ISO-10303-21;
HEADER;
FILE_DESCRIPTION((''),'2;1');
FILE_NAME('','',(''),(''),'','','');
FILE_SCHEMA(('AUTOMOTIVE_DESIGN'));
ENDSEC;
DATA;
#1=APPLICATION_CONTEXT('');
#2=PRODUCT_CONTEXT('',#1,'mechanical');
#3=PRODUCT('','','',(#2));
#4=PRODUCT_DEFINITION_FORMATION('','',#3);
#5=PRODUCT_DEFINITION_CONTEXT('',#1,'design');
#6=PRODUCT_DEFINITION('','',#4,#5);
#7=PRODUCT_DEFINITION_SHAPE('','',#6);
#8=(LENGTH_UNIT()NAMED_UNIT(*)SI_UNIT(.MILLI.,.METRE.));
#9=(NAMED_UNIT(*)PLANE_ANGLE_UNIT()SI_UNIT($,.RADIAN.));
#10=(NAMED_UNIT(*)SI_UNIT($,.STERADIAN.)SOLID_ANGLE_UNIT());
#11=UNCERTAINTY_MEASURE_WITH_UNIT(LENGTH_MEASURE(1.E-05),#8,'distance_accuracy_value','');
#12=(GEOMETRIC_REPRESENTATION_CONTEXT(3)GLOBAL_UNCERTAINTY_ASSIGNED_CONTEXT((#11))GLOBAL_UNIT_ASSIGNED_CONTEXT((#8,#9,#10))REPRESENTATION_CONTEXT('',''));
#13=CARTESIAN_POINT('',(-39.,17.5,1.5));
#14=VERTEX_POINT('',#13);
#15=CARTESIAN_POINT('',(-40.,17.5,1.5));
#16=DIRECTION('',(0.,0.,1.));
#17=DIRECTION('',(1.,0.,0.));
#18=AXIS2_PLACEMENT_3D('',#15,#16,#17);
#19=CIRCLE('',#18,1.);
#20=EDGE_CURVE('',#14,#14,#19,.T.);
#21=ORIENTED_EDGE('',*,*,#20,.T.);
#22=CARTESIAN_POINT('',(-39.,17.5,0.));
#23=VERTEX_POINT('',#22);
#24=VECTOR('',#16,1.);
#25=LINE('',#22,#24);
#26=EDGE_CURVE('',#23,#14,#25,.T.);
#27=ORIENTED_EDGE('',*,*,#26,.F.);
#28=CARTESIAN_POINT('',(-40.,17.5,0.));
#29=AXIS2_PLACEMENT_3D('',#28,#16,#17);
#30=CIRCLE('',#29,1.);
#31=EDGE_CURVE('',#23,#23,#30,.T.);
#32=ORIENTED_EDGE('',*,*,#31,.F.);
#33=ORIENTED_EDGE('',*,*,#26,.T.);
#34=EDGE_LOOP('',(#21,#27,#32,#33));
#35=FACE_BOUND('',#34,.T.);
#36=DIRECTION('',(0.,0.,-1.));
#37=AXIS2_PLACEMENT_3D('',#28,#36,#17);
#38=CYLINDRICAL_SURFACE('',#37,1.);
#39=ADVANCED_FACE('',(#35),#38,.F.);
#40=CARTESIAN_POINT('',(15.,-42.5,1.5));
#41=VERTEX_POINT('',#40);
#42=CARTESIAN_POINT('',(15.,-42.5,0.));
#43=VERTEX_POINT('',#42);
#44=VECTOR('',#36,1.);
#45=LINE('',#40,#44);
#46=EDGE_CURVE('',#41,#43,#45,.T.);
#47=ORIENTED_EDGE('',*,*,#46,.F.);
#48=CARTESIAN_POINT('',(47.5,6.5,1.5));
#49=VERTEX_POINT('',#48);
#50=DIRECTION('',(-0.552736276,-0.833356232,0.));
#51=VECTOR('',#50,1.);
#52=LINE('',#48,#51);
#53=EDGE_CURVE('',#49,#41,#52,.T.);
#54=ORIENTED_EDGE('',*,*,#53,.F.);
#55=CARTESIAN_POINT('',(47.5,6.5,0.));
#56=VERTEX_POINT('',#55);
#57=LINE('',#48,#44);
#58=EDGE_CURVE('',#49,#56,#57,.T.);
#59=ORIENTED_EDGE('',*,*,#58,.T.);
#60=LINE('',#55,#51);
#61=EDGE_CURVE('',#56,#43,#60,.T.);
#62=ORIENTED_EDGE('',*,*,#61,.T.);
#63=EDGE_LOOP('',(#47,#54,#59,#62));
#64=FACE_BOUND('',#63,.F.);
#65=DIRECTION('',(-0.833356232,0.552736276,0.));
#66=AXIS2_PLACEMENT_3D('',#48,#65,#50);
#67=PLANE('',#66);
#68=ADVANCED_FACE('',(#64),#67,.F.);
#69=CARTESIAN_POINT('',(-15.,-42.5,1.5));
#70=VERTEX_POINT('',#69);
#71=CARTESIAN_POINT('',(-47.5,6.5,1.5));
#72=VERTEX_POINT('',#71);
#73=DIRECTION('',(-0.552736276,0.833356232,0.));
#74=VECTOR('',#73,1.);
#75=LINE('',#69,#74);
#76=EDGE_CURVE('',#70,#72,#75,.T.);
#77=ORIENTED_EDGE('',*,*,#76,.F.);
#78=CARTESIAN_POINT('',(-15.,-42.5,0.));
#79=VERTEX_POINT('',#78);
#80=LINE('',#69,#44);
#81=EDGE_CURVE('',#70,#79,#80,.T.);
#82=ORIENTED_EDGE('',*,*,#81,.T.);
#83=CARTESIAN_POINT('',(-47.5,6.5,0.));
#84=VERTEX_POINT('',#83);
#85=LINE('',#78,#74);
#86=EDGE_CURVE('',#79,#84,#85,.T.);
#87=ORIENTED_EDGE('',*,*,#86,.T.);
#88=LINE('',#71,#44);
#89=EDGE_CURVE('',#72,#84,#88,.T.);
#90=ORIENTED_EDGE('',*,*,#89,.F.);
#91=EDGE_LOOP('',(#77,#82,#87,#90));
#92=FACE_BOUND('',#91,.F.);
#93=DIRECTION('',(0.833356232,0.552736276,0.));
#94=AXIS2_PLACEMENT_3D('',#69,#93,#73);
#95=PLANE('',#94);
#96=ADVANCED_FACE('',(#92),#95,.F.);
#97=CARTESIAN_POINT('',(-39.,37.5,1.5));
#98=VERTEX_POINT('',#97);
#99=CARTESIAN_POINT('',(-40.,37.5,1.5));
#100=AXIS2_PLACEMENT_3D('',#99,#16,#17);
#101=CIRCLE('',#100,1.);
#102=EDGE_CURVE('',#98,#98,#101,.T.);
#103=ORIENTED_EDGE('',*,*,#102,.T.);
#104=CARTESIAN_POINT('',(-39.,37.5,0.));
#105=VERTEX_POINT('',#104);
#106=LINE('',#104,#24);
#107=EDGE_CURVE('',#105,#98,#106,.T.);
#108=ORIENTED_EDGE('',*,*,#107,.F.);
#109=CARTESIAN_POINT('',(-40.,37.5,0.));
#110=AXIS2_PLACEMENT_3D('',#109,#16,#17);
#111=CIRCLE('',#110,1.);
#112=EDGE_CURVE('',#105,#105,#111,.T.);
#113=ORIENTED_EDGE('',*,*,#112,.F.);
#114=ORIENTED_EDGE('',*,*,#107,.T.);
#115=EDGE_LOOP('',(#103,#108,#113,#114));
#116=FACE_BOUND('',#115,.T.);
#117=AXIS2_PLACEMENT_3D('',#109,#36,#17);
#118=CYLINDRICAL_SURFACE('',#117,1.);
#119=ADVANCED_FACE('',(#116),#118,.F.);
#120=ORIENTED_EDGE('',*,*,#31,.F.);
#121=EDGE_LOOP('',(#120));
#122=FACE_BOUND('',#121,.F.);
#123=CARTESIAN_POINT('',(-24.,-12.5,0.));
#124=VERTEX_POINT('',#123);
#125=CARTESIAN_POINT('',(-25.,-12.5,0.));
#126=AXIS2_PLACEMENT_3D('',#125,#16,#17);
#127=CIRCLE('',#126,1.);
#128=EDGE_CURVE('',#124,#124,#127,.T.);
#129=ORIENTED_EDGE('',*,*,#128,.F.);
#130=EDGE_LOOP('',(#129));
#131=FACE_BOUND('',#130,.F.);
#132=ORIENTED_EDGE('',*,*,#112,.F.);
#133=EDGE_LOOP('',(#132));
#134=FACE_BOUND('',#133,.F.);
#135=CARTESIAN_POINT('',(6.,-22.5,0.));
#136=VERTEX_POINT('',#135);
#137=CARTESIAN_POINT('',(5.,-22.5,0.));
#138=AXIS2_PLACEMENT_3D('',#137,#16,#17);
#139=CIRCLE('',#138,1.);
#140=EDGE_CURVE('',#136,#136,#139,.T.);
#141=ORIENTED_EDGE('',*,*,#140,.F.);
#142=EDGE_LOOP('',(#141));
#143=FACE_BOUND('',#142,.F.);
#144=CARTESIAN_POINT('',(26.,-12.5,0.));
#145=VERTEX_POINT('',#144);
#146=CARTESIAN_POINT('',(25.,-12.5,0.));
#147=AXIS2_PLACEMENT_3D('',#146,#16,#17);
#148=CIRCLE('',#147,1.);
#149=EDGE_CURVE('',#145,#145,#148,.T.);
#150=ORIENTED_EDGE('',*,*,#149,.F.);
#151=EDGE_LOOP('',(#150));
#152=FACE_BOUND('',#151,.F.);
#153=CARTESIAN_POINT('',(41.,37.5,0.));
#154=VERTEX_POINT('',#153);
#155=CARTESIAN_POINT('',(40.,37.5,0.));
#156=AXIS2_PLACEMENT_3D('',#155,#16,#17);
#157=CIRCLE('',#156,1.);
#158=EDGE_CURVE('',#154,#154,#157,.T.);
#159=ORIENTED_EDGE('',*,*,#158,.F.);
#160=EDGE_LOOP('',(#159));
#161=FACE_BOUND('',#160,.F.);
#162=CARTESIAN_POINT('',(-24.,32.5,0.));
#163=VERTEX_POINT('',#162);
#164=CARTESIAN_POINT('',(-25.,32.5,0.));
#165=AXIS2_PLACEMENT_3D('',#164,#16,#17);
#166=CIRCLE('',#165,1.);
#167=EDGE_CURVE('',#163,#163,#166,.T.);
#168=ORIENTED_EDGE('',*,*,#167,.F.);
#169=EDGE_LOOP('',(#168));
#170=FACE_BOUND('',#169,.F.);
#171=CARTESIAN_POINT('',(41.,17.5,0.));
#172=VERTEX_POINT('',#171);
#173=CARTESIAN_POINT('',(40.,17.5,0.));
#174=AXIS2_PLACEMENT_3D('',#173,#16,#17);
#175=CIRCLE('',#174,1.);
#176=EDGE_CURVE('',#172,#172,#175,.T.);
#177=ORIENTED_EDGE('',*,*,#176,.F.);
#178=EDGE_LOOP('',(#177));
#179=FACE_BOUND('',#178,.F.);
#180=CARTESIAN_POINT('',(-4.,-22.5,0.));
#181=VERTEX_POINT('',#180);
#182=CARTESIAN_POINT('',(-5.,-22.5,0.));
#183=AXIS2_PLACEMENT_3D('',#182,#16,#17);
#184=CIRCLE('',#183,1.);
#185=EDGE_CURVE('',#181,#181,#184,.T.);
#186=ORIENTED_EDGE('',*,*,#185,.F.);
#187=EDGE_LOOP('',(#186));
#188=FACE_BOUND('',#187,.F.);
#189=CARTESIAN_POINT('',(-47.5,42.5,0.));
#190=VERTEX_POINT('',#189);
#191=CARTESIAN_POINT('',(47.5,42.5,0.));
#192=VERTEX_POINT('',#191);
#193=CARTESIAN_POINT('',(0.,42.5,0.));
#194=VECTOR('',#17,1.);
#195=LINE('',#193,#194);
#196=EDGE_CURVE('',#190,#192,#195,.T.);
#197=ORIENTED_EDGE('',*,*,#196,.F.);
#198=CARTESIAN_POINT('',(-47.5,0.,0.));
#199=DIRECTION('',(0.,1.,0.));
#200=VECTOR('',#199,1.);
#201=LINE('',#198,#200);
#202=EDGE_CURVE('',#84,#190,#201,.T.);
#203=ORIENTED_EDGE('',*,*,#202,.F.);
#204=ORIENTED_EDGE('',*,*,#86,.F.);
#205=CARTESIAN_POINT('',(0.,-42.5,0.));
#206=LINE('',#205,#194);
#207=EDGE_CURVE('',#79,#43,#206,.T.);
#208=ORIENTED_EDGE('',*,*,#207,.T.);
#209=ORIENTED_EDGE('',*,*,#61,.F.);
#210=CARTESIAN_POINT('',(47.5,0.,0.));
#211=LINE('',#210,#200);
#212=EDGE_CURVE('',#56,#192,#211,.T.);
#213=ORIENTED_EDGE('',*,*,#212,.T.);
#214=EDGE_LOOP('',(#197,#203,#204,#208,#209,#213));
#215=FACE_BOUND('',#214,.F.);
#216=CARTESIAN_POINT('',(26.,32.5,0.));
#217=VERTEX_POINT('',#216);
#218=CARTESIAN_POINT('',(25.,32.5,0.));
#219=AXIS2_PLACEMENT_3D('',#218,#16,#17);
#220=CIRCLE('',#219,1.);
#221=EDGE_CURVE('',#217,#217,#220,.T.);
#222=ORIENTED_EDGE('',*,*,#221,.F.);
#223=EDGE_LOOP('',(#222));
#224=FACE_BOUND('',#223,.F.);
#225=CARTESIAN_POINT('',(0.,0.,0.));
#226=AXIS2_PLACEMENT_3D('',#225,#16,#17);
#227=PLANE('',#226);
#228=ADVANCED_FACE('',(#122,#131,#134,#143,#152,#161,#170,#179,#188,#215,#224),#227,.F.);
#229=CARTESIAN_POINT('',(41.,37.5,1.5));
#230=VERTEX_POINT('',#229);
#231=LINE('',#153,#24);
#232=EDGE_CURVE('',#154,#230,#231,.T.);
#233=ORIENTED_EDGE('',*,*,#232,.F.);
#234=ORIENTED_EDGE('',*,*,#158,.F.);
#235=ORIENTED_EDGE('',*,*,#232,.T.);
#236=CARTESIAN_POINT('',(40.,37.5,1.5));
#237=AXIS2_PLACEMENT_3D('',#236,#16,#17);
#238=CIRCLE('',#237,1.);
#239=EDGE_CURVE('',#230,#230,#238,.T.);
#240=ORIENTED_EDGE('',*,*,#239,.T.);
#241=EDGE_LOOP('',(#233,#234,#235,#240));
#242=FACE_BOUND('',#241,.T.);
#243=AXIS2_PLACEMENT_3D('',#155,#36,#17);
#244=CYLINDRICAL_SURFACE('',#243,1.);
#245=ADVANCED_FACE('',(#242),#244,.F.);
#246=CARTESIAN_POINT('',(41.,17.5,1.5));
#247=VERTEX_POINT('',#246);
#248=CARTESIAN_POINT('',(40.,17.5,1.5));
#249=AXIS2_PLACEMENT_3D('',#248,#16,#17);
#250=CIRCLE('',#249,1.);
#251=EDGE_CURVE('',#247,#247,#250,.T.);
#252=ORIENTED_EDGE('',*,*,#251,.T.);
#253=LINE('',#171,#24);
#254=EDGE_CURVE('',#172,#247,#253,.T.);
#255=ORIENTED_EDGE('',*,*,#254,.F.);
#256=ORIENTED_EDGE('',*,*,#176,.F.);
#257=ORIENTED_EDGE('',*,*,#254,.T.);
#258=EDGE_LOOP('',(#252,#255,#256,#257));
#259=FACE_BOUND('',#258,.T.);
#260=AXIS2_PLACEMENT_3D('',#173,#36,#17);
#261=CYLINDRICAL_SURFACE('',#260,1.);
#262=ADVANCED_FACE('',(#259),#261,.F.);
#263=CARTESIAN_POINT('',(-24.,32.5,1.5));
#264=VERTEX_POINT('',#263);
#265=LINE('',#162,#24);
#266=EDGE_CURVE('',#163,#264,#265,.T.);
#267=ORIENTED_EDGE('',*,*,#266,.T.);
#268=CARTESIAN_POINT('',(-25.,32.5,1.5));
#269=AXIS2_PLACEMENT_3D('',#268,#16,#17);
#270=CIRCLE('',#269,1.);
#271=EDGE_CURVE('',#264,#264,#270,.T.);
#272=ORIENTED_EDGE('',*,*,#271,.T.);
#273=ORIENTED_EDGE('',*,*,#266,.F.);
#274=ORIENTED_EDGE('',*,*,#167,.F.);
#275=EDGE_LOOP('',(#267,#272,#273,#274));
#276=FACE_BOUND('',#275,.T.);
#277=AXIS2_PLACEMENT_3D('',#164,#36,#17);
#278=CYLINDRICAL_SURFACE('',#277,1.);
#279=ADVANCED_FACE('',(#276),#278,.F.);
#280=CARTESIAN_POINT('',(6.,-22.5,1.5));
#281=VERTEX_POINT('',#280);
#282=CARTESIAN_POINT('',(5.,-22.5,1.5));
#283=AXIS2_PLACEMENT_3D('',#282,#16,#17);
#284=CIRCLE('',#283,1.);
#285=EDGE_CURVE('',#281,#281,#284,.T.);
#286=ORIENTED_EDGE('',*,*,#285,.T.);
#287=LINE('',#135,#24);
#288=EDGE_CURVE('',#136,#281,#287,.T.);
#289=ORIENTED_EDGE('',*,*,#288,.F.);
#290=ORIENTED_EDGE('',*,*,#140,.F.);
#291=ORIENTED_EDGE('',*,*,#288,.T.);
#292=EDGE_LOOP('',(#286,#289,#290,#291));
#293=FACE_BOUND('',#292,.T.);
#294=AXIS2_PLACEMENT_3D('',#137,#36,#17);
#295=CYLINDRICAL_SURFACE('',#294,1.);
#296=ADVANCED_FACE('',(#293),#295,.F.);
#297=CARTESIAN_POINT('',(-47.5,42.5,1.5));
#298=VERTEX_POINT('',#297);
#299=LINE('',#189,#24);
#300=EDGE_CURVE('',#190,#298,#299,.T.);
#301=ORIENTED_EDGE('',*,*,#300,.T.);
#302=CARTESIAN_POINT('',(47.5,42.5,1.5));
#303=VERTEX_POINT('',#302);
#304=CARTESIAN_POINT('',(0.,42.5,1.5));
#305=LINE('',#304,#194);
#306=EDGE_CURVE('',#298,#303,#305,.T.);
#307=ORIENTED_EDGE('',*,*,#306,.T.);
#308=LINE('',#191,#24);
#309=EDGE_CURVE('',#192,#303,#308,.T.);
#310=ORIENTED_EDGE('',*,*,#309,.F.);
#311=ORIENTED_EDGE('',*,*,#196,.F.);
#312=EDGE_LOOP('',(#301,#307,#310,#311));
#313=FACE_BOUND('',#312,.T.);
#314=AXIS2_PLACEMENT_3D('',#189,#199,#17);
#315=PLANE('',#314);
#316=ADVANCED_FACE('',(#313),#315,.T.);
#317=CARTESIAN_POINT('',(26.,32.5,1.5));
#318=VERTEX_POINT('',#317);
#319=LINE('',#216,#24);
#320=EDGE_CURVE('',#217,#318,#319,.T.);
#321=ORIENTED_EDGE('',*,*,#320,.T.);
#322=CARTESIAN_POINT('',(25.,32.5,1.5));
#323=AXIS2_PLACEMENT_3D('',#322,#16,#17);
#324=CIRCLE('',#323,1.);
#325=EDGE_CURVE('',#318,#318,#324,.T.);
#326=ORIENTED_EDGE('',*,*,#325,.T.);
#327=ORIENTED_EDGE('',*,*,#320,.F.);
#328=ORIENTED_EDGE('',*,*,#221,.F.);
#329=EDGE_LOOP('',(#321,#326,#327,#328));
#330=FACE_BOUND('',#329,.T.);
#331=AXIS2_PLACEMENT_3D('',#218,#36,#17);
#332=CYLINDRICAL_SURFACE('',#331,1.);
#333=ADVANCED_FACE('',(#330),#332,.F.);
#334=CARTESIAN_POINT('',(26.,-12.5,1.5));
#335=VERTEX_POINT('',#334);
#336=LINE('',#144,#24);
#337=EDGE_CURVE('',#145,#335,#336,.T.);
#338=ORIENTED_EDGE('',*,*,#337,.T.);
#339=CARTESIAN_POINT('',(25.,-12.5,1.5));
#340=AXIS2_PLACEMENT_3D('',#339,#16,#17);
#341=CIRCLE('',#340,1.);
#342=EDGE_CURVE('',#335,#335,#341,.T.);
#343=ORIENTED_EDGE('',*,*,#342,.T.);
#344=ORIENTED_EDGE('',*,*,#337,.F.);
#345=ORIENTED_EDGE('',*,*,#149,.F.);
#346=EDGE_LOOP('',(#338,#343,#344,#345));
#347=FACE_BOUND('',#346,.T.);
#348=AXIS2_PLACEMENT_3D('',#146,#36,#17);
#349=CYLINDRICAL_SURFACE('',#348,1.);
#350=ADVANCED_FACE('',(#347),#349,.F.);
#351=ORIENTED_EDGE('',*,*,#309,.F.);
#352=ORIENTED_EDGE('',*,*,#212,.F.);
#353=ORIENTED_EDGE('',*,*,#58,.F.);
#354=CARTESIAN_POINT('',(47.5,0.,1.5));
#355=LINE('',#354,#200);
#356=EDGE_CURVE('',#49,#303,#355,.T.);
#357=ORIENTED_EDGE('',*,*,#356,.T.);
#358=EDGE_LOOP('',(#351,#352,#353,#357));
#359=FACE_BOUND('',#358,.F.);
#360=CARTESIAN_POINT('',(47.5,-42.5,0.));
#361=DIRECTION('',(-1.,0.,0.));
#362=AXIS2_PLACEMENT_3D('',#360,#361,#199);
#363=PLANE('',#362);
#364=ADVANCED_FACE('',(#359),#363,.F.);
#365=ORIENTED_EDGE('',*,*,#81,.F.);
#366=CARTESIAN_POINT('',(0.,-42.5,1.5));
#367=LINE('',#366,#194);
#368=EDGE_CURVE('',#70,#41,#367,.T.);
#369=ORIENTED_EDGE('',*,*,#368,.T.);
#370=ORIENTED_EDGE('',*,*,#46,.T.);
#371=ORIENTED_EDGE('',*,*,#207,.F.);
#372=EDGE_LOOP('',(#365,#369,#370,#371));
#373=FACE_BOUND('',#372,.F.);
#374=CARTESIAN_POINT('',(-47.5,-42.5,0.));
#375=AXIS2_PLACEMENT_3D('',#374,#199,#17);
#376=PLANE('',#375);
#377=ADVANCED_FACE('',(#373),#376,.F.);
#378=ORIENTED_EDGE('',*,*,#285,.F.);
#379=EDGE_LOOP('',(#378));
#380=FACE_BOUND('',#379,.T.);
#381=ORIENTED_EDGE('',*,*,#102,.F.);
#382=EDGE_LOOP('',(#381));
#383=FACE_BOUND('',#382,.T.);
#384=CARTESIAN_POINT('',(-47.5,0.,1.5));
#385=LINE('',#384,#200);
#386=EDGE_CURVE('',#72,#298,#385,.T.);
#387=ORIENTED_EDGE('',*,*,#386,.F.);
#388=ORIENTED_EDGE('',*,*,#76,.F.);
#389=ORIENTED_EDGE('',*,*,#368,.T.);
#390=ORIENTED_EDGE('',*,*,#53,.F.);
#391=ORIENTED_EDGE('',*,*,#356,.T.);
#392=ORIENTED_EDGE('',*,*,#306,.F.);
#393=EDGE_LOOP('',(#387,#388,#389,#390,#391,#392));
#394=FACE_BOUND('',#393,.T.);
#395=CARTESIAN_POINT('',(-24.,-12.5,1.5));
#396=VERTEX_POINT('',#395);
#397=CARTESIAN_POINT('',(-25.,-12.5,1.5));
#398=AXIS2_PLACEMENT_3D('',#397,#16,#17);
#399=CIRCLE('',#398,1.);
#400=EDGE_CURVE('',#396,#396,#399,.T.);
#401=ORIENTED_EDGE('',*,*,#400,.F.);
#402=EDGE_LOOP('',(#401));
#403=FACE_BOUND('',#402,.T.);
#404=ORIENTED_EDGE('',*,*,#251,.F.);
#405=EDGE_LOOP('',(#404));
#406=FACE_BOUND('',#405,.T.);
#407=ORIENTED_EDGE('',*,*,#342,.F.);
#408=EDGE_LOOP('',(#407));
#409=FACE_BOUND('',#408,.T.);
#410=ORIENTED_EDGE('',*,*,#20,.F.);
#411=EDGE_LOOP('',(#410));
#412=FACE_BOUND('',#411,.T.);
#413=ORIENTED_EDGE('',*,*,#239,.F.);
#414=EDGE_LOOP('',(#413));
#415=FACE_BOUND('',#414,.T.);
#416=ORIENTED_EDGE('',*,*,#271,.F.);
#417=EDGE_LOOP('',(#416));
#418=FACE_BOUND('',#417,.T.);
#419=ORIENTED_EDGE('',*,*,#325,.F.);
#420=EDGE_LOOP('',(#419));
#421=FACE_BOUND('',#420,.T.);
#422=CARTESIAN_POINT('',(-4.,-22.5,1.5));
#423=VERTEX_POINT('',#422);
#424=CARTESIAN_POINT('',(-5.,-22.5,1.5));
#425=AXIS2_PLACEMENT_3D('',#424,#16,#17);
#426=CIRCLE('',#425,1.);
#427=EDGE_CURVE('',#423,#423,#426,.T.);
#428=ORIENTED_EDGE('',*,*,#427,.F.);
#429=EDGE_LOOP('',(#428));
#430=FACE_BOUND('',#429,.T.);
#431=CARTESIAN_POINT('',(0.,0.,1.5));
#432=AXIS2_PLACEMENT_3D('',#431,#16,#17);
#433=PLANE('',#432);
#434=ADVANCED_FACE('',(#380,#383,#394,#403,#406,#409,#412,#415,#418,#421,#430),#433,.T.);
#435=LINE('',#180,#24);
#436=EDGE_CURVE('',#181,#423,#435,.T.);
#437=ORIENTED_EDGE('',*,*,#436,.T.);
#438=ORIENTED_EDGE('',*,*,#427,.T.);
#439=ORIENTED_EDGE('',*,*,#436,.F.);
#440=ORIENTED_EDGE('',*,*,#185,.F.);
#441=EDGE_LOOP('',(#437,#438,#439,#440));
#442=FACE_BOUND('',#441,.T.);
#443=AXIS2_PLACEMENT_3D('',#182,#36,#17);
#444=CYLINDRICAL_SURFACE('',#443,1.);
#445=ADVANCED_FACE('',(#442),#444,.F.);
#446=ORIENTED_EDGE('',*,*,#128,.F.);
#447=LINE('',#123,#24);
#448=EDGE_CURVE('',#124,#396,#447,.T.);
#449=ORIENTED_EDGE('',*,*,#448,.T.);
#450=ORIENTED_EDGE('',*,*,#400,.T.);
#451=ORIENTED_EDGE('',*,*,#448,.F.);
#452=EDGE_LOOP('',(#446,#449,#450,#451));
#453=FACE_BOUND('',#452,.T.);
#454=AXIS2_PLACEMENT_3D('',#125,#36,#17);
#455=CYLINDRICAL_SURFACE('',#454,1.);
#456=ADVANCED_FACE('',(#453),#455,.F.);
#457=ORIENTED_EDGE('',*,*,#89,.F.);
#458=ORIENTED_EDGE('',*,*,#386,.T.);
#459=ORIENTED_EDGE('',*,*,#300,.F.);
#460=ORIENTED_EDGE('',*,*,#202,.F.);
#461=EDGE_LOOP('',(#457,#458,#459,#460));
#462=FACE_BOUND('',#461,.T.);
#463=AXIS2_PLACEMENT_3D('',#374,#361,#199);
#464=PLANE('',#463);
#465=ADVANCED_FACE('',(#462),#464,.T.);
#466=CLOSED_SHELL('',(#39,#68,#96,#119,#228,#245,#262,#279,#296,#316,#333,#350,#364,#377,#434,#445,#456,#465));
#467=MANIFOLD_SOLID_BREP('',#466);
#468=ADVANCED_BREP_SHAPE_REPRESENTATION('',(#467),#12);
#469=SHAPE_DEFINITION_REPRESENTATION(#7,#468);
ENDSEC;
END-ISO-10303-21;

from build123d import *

# Parameters (mm, degrees)
F0_W     = 95
F0_H     = 85
F0_R     = 1
F1_DEPTH = 1.5
F3_DEPTH = 1.5


with BuildPart() as f1:
    # F0 (on Top) → F1 (new body)
    with BuildSketch(Plane.XY):
        Rectangle(F0_W, F0_H)
        with Locations((-5, -22.5)):
            Circle(F0_R, mode=Mode.SUBTRACT)
        with Locations((-25, -12.5)):
            Circle(F0_R, mode=Mode.SUBTRACT)
        with Locations((5, -22.5)):
            Circle(F0_R, mode=Mode.SUBTRACT)
        with Locations((25, -12.5)):
            Circle(F0_R, mode=Mode.SUBTRACT)
        with Locations((-40, 17.5)):
            Circle(F0_R, mode=Mode.SUBTRACT)
        with Locations((-40, 37.5)):
            Circle(F0_R, mode=Mode.SUBTRACT)
        with Locations((-25, 32.5)):
            Circle(F0_R, mode=Mode.SUBTRACT)
        with Locations((40, 17.5)):
            Circle(F0_R, mode=Mode.SUBTRACT)
        with Locations((25, 32.5)):
            Circle(F0_R, mode=Mode.SUBTRACT)
        with Locations((40, 37.5)):
            Circle(F0_R, mode=Mode.SUBTRACT)
    extrude(amount=F1_DEPTH)

    # F2 (on face) → F3 (cut, through all)
    with BuildSketch(Plane.XY.offset(1.5)):
        Polygon((-15, -42.5), (-47.5, 6.5), (-47.5, -42.5), align=None)
        Polygon((47.5, -42.5), (47.5, 6.5), (15, -42.5), align=None)
    extrude(amount=-F3_DEPTH, mode=Mode.SUBTRACT)


solid = f1.part
